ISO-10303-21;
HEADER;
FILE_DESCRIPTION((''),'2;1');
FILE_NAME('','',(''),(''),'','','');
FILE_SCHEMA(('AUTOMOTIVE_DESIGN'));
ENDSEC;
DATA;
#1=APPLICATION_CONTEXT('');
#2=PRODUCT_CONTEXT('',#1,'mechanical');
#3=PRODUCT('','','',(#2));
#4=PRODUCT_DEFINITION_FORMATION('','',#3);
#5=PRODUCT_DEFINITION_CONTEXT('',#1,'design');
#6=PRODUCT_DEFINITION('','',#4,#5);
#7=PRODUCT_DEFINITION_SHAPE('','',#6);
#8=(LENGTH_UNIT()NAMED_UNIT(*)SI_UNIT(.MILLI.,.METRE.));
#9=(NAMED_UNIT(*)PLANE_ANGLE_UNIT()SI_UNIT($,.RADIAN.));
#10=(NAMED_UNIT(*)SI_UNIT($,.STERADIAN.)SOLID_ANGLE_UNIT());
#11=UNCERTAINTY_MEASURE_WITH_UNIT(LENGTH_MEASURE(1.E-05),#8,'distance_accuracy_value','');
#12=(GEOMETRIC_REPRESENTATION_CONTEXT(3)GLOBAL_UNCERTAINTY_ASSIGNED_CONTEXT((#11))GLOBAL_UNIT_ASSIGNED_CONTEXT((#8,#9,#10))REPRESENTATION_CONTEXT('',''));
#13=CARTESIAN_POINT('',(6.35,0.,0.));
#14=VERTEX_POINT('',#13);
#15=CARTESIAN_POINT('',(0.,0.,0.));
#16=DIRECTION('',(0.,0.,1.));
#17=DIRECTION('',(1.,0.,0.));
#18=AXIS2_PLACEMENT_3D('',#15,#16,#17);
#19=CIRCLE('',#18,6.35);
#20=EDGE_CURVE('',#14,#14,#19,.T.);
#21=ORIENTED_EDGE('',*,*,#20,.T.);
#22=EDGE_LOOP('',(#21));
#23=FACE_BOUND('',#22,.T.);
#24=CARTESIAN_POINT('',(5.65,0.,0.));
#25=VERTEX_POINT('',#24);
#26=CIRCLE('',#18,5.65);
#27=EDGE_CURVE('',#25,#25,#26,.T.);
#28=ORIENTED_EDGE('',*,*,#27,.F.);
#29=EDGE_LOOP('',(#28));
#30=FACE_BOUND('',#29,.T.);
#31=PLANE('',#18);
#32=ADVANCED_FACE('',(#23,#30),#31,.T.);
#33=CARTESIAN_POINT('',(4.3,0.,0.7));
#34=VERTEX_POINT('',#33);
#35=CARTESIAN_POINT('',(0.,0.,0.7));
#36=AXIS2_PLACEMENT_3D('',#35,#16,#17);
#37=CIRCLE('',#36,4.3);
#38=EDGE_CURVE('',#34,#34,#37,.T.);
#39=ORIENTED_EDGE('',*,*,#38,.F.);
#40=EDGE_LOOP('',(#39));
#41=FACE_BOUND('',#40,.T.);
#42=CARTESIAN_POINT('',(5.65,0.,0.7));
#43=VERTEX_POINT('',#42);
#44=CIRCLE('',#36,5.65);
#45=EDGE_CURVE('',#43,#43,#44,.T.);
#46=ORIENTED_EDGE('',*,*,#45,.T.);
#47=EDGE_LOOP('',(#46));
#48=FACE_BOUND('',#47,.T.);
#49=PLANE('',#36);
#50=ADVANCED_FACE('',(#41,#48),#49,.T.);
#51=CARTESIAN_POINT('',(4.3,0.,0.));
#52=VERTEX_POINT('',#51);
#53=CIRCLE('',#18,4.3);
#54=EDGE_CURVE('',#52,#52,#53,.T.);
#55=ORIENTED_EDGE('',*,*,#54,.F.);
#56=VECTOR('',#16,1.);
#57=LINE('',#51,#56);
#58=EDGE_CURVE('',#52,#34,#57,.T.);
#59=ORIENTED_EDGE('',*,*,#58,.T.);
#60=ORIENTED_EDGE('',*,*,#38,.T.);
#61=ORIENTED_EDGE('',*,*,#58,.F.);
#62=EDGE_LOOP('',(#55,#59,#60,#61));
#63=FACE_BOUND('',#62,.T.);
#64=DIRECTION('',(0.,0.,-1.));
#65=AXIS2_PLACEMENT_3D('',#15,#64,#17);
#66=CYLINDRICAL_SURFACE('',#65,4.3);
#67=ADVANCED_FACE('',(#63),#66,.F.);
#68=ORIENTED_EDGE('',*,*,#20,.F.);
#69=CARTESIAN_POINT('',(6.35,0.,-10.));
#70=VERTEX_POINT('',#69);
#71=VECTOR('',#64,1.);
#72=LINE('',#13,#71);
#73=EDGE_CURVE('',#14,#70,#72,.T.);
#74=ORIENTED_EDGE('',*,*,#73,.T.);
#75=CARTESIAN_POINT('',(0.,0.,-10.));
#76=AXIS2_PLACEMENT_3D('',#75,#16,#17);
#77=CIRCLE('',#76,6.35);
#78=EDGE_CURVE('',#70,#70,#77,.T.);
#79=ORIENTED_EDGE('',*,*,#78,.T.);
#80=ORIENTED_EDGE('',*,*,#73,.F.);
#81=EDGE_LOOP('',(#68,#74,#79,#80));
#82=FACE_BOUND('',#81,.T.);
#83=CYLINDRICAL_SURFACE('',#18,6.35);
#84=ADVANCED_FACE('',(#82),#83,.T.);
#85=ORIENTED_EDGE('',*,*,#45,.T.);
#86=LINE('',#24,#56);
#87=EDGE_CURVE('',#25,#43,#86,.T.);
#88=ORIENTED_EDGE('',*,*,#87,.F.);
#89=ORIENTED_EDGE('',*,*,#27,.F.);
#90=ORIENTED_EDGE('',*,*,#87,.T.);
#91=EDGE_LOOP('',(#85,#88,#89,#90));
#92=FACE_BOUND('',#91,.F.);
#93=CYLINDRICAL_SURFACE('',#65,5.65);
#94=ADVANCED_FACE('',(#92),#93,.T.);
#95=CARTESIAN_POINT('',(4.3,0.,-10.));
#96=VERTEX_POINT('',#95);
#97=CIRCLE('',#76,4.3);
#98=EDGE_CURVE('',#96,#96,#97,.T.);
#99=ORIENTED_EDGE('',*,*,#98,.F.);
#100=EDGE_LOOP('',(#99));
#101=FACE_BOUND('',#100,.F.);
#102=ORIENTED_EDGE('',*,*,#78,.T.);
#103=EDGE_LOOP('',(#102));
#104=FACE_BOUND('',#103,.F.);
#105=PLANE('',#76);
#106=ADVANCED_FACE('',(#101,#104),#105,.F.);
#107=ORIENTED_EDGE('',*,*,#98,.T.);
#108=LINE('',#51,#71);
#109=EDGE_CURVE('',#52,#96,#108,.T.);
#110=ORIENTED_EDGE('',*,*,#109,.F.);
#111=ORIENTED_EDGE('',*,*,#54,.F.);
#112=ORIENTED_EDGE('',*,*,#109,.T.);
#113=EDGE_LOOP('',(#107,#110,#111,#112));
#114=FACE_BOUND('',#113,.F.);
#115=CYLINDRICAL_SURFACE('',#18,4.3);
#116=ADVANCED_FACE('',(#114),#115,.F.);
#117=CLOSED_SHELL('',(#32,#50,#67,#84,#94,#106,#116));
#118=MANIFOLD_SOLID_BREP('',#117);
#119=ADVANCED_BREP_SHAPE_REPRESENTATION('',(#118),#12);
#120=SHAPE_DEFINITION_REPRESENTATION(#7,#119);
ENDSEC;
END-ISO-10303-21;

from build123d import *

# Parameters (mm, degrees)
F0_R     = 5.65
F0_R_2   = 4.3
F1_DEPTH = 0.7
F0_R_3   = 6.35
F2_DEPTH = 10


with BuildPart() as f1:
    # F0 (on Top) → F1 (new body)
    with BuildSketch(Plane.XY):
        Circle(F0_R)
        Circle(F0_R_2, mode=Mode.SUBTRACT)
    extrude(amount=F1_DEPTH)

    # F0 (on Top) → F2 (join)
    with BuildSketch(Plane.XY):
        Circle(F0_R_3)
        Circle(F0_R, mode=Mode.SUBTRACT)
        Circle(F0_R)
        Circle(F0_R_2, mode=Mode.SUBTRACT)
    extrude(amount=-F2_DEPTH)


solid = f1.part
